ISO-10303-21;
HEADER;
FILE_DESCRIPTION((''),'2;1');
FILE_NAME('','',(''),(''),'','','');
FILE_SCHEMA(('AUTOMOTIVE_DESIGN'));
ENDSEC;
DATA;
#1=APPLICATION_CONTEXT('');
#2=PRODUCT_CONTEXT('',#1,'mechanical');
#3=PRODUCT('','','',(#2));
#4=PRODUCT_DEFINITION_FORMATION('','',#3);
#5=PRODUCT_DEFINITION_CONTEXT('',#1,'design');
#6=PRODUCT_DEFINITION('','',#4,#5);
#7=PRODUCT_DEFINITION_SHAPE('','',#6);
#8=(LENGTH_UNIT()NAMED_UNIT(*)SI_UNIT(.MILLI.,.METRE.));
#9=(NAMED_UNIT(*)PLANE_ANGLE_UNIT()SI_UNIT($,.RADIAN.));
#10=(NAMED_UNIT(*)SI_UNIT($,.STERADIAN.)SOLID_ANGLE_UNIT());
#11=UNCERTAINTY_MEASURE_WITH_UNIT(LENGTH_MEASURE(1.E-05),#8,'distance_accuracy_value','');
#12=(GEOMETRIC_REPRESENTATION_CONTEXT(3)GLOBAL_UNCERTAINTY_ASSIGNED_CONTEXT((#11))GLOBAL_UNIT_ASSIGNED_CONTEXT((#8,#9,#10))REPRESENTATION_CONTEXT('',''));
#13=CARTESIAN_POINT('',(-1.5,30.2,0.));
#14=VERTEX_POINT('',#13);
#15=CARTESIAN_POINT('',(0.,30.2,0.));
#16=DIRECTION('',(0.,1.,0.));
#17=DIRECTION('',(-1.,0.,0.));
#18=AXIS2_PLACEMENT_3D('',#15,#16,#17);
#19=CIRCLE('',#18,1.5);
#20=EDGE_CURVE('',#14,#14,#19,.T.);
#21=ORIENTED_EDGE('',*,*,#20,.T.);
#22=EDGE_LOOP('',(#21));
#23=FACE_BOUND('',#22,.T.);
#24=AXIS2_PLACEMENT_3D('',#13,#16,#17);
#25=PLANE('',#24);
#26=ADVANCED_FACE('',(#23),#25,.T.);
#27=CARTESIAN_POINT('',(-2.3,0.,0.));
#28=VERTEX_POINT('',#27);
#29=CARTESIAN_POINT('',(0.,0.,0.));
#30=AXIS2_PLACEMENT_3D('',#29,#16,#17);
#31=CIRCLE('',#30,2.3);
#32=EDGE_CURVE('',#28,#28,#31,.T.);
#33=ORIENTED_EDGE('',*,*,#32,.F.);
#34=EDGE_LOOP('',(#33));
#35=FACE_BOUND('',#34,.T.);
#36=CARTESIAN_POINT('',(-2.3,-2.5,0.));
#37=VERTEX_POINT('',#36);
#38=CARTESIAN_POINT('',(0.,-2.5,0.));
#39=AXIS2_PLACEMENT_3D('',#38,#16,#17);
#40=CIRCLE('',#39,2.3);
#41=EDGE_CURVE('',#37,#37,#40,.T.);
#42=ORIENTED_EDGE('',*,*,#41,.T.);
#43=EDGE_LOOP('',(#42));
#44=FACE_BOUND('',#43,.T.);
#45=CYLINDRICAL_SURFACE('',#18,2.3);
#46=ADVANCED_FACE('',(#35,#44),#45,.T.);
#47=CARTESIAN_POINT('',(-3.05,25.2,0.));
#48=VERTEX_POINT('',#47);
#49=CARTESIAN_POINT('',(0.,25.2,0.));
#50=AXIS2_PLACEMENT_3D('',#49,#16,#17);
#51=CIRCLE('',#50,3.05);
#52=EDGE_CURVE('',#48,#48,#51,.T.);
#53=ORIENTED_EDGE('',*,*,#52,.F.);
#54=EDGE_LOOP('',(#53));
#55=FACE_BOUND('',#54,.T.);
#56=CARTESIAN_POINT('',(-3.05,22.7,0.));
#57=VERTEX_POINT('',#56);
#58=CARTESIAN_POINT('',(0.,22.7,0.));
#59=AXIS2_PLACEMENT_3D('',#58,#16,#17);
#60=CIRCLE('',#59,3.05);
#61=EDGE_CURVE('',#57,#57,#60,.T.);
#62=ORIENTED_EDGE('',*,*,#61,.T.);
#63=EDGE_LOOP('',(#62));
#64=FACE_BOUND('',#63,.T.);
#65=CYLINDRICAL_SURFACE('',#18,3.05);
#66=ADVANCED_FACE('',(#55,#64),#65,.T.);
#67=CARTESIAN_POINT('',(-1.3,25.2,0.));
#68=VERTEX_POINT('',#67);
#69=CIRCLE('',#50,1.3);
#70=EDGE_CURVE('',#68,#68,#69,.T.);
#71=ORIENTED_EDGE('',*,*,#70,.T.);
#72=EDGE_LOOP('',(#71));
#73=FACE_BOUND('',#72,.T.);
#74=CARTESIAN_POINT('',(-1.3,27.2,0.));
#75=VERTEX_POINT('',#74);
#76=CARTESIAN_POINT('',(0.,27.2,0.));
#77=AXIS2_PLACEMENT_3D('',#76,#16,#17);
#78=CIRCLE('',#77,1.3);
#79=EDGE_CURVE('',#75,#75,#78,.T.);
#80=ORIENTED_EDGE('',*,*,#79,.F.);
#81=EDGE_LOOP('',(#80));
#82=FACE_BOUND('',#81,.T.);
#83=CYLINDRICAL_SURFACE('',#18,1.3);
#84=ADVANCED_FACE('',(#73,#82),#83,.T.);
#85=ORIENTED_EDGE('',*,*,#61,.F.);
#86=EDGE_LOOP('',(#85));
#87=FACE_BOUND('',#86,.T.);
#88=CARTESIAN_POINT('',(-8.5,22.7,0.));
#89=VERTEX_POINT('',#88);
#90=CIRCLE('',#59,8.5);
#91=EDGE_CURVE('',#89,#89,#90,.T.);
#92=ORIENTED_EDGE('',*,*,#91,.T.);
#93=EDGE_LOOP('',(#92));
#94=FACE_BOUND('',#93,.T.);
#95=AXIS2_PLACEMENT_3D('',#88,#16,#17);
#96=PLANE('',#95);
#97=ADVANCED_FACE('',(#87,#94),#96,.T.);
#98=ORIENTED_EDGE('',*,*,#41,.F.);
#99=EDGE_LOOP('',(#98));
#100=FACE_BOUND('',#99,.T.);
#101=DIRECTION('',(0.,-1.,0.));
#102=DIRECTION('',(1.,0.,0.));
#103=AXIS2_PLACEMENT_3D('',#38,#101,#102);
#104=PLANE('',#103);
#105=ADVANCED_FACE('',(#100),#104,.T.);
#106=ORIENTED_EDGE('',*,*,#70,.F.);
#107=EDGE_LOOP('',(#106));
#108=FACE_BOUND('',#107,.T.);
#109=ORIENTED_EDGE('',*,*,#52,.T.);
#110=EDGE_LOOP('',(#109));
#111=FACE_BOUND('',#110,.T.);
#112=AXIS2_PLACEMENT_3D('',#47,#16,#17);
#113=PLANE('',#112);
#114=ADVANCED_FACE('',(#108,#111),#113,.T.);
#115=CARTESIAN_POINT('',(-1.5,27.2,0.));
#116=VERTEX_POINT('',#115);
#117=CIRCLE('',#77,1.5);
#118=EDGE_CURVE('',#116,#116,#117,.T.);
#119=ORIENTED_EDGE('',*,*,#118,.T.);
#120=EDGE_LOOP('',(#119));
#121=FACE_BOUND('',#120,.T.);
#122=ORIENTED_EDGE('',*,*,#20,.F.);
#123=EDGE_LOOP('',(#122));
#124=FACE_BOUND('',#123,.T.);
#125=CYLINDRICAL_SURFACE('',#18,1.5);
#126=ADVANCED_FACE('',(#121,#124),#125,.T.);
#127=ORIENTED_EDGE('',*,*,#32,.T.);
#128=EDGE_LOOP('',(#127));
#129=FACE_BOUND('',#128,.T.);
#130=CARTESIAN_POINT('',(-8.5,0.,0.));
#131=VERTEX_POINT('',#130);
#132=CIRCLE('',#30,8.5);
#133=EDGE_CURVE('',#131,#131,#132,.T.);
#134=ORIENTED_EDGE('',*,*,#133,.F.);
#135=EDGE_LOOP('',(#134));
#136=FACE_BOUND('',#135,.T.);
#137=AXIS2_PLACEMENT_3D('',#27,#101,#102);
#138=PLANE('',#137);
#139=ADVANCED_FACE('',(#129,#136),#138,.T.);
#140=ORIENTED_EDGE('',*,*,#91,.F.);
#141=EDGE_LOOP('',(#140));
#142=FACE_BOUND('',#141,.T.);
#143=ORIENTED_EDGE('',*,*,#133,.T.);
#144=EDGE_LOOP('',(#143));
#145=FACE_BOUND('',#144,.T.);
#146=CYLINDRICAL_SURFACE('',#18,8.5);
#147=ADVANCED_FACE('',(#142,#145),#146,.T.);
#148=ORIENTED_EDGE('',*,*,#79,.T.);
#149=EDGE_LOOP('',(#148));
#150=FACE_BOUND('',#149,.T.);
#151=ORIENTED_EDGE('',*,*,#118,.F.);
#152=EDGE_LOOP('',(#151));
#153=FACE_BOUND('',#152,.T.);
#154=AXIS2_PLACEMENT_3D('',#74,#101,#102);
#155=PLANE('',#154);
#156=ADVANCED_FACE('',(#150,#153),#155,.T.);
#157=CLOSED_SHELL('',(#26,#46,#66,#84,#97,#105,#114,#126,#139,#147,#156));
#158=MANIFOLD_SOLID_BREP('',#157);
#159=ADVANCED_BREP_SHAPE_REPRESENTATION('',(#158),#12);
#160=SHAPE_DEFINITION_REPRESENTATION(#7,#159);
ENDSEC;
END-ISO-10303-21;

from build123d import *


with BuildPart() as part:
    # Sketch2 → Revolve1 (revolve)
    with BuildSketch(Plane.XY):
        Polygon((-2.3, 0), (-8.5, 0), (-8.5, 22.7), (-3.05, 22.7), (-3.05, 25.2), (-1.3, 25.2), (-1.3, 27.2), (-1.5, 27.2), (-1.5, 30.2), (0, 30.2), (0, -2.5), (-2.3, -2.5), align=None)
    revolve(axis=Axis((0, 30.2, 0), (0, -1, 0)))


solid = part.part
